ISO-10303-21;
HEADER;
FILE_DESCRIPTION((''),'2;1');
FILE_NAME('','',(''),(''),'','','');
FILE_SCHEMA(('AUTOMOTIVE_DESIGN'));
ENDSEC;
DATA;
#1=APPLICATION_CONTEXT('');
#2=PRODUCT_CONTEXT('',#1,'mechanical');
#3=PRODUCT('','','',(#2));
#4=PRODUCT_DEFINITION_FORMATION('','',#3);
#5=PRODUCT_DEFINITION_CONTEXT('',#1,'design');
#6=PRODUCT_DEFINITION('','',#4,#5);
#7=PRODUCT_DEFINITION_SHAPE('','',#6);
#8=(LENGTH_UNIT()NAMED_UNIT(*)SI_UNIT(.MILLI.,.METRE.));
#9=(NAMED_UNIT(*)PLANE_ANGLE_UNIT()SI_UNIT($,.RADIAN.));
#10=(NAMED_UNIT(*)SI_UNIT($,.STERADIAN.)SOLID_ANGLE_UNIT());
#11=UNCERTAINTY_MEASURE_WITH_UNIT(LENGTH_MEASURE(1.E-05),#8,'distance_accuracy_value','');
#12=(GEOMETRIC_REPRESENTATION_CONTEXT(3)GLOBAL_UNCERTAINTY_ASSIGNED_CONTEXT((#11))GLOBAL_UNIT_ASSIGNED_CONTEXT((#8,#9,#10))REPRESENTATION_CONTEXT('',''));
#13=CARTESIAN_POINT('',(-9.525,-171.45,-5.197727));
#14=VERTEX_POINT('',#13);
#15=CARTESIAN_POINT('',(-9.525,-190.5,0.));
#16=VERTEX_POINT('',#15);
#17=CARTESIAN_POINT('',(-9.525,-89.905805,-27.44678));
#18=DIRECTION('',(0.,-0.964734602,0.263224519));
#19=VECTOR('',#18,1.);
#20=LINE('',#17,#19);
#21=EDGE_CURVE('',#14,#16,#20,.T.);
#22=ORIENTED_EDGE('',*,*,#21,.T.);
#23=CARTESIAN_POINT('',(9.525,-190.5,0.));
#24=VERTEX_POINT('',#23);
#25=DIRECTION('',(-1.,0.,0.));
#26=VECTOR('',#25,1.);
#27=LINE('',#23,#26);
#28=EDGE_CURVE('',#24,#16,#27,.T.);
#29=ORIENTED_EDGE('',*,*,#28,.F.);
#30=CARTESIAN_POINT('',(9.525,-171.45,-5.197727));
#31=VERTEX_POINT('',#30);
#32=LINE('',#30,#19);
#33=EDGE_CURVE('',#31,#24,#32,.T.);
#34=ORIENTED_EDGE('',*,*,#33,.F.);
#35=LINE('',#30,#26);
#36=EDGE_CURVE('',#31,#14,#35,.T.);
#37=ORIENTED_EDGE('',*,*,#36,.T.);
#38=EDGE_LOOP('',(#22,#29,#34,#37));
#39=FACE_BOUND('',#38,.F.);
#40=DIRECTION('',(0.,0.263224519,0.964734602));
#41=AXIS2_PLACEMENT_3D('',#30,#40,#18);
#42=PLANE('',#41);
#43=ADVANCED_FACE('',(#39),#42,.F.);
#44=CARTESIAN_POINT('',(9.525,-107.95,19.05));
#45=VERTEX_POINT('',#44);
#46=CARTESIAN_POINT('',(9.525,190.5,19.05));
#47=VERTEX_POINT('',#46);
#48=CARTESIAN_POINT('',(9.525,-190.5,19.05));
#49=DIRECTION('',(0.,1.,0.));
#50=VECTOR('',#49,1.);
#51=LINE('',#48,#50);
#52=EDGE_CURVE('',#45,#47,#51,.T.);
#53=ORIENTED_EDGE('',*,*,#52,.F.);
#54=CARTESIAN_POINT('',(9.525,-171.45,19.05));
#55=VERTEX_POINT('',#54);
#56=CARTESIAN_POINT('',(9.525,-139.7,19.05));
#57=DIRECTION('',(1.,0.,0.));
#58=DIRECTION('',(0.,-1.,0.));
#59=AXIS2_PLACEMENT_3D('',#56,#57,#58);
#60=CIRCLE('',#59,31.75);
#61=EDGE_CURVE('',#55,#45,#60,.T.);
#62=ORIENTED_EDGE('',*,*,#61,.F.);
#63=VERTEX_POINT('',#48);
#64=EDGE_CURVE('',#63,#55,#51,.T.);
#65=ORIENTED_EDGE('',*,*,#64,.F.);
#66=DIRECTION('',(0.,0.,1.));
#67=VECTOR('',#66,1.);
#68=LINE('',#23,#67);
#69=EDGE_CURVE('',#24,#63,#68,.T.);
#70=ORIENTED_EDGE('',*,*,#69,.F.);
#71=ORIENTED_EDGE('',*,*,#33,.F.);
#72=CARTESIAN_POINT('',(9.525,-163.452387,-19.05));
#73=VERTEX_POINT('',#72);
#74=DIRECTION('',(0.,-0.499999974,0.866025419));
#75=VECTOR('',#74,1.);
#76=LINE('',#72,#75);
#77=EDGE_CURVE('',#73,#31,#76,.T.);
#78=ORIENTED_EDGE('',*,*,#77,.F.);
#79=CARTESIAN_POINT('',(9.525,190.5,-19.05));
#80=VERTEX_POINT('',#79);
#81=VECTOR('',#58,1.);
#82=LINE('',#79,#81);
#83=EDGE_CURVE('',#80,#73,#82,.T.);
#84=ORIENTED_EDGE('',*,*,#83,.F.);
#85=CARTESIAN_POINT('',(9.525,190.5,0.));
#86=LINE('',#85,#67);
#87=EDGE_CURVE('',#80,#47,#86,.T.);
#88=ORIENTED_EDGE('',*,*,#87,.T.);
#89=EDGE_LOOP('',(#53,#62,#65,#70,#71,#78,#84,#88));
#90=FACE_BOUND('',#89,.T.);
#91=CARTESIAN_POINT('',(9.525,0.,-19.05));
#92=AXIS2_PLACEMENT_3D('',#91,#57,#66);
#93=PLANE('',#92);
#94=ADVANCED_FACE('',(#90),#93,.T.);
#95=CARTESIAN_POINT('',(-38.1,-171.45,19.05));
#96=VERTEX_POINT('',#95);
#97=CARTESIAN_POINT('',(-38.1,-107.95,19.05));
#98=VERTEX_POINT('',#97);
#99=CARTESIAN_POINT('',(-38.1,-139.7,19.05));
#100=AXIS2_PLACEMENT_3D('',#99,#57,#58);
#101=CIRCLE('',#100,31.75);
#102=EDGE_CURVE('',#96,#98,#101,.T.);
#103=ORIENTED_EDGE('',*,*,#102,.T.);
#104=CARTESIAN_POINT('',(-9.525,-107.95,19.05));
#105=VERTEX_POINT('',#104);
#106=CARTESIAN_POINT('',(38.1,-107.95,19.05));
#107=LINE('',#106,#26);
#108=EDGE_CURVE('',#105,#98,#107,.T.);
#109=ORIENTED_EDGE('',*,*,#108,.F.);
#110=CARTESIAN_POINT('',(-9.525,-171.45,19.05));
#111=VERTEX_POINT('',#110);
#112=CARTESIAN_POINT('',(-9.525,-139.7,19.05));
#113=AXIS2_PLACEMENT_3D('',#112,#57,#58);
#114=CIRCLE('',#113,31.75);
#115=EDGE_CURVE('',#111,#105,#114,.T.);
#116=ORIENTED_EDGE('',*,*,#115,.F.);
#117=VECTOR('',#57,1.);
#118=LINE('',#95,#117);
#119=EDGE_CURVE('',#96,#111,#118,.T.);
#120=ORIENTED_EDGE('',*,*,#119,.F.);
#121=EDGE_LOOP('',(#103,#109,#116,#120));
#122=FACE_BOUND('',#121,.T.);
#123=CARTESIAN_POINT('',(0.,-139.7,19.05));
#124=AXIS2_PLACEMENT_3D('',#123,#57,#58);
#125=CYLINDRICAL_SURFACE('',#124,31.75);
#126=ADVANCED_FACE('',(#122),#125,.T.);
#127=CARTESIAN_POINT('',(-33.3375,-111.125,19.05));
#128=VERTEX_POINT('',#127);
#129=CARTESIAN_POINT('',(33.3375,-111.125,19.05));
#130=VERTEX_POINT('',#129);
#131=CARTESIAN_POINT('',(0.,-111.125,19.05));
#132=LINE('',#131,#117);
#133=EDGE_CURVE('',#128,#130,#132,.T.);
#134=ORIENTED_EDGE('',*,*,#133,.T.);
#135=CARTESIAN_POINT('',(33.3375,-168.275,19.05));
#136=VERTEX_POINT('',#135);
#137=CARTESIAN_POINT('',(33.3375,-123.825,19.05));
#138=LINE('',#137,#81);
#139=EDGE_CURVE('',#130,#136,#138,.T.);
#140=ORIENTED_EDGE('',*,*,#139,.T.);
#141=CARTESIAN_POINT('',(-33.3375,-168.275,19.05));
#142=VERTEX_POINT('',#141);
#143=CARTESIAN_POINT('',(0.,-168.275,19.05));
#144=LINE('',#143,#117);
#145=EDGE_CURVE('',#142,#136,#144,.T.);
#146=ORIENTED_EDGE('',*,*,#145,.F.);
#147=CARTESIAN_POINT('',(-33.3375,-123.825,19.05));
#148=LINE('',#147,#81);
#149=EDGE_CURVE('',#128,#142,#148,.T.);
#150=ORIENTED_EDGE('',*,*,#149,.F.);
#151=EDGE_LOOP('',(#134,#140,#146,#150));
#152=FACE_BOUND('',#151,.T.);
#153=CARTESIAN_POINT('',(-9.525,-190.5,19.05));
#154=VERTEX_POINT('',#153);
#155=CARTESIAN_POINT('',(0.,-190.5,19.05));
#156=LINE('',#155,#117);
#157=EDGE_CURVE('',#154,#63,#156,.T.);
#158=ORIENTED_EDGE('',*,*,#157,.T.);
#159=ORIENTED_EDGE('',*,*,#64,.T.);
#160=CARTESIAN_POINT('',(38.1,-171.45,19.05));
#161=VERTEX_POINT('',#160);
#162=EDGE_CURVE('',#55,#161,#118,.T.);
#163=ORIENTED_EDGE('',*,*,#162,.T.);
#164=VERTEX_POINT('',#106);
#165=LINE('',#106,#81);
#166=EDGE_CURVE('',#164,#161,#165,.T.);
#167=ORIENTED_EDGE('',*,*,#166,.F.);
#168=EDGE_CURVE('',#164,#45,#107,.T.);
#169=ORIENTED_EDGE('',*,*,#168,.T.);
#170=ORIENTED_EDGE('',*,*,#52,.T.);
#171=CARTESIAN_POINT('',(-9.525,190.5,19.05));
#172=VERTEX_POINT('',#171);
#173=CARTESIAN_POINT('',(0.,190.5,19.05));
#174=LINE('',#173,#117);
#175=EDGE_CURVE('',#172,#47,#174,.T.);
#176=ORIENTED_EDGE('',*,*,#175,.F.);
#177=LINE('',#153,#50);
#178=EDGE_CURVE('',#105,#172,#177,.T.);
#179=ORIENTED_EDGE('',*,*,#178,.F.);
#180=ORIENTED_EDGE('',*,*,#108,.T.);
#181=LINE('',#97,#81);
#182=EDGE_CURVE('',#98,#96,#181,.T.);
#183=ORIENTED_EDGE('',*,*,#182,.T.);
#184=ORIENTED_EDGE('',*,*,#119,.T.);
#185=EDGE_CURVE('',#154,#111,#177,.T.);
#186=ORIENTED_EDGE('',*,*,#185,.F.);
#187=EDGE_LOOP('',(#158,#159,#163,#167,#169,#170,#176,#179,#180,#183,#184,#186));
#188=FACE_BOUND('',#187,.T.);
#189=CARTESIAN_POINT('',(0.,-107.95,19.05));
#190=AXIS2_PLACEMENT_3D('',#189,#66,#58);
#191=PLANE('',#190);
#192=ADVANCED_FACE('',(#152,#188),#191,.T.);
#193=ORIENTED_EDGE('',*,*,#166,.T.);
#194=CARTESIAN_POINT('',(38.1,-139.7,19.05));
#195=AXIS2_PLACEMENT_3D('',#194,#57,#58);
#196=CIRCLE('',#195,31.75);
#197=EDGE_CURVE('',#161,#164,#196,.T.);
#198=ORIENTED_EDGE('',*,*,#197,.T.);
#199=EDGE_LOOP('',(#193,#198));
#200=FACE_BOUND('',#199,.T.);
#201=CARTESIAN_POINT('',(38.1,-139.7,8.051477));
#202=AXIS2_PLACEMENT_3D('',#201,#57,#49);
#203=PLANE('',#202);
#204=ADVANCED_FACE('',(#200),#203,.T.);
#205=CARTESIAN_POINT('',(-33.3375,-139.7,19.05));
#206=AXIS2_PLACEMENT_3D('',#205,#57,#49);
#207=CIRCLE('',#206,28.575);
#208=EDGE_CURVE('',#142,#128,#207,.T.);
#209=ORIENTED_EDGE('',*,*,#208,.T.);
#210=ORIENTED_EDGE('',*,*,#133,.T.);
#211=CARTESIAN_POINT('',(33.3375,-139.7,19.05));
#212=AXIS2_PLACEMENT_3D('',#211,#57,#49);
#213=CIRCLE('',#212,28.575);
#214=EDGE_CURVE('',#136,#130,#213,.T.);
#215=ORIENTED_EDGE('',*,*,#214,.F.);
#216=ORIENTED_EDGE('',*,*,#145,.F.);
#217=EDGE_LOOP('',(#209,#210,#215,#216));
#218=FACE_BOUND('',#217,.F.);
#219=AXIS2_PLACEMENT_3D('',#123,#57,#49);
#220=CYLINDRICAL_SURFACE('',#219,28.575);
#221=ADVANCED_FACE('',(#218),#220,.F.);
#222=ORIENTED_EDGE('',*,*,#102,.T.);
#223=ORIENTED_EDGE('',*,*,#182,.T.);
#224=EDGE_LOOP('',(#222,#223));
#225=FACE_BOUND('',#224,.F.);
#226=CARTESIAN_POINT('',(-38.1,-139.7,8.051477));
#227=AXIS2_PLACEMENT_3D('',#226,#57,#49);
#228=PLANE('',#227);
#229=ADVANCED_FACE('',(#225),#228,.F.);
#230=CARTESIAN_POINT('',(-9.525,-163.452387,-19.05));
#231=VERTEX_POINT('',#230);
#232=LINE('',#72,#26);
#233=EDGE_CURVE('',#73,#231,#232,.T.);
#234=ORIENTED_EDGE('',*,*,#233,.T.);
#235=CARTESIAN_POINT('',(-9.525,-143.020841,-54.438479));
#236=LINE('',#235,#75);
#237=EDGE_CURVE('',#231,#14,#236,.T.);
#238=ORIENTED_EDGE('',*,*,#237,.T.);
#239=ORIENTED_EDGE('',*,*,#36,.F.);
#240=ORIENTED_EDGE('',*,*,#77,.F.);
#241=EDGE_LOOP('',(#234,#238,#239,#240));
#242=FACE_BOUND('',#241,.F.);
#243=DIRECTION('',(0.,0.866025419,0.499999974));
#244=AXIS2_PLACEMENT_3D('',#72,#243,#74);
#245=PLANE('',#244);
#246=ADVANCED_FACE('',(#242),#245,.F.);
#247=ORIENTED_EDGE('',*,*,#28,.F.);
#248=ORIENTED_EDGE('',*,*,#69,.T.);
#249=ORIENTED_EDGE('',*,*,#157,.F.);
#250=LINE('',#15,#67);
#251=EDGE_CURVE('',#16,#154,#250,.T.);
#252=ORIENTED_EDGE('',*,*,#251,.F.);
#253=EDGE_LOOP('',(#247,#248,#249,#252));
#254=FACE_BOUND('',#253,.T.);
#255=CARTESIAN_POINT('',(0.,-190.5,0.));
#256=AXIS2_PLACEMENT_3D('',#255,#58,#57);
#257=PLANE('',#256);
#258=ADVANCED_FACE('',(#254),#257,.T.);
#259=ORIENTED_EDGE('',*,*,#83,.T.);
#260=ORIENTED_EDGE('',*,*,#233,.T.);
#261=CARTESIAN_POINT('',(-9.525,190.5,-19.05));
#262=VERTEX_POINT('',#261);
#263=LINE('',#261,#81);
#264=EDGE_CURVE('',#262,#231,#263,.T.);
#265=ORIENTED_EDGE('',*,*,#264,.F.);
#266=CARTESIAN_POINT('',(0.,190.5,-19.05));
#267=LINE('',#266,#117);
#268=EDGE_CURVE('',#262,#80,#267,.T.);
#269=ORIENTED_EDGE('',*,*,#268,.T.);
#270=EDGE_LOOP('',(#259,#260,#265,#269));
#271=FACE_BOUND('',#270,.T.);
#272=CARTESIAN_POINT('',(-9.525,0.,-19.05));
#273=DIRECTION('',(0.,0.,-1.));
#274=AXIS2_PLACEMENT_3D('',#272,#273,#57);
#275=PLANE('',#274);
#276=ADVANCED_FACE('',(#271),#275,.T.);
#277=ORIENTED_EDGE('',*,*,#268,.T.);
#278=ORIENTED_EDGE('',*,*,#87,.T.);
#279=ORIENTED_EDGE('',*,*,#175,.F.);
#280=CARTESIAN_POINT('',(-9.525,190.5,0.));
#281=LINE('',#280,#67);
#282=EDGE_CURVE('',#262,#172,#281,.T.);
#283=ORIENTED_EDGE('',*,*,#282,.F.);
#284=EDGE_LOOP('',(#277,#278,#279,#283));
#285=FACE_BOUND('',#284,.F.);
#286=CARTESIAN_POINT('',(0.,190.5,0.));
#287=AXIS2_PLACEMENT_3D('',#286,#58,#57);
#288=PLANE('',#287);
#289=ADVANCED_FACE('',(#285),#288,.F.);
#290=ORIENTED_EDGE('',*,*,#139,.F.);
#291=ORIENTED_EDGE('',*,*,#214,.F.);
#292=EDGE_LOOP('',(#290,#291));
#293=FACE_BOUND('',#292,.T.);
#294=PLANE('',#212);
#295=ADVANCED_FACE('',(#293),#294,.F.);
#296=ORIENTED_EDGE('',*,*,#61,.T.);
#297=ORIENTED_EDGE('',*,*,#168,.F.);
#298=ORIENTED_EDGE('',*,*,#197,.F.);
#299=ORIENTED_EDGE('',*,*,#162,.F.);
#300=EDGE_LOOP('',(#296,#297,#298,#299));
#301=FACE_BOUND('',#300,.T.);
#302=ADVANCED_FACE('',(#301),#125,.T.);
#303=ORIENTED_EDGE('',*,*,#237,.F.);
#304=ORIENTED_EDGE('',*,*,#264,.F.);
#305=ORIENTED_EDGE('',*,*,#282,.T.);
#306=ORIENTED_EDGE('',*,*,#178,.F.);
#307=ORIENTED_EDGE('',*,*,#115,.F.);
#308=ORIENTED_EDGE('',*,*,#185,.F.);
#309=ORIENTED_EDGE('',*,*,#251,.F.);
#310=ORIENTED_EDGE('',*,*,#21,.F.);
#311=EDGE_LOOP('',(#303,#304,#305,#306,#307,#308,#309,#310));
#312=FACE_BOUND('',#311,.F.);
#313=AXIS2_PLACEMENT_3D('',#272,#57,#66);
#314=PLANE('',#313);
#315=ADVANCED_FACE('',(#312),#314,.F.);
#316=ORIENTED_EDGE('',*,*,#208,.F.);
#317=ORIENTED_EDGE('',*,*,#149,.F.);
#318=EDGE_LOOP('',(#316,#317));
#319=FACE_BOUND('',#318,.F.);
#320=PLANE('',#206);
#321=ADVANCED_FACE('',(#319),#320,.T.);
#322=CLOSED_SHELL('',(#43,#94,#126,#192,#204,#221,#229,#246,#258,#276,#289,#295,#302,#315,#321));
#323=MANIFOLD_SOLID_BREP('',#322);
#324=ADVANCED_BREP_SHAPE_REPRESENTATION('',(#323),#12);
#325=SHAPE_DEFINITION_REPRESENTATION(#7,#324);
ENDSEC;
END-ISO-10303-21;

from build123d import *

# Parameters (mm, degrees)
F0_W     = 19.05
F0_H     = 38.1
F1_DEPTH = 190.5
F3_DEPTH = 38.1
F6_W     = 66.675
F6_H     = 28.575
F9_DEPTH = 47.626


with BuildPart() as f1:
    # F0 (on Front) → F1 (new body, symmetric)
    with BuildSketch(Plane.XZ):
        Rectangle(F0_W, F0_H)
    extrude(amount=F1_DEPTH, both=True)

    # F2 (on Right) → F3 (join, symmetric)
    with BuildSketch(Plane.YZ):
        with BuildLine():
            Line((-107.95, 19.05), (-171.45, 19.05))
            ThreePointArc((-171.45, 19.05), (-139.7, -12.7), (-107.95, 19.05))
        make_face()
    extrude(amount=F3_DEPTH, both=True)

    # F6 (on face) → F7 (revolve, cut)
    with BuildSketch(Plane.XY.offset(19.05)):
        with Locations((0, -125.4125)):
            Rectangle(F6_W, F6_H)
    revolve(axis=Axis((58.379408, -139.7, 19.05), (1, 0, 0)), mode=Mode.SUBTRACT)

    # F8 (on face) → F9 (cut, through all)
    with BuildSketch(Plane.YZ.offset(9.525)):
        Polygon((-171.45, -5.197727), (-190.5, 0), (-190.5, -19.05), (-163.452387, -19.05), align=None)
    extrude(amount=-F9_DEPTH, mode=Mode.SUBTRACT)


solid = f1.part
